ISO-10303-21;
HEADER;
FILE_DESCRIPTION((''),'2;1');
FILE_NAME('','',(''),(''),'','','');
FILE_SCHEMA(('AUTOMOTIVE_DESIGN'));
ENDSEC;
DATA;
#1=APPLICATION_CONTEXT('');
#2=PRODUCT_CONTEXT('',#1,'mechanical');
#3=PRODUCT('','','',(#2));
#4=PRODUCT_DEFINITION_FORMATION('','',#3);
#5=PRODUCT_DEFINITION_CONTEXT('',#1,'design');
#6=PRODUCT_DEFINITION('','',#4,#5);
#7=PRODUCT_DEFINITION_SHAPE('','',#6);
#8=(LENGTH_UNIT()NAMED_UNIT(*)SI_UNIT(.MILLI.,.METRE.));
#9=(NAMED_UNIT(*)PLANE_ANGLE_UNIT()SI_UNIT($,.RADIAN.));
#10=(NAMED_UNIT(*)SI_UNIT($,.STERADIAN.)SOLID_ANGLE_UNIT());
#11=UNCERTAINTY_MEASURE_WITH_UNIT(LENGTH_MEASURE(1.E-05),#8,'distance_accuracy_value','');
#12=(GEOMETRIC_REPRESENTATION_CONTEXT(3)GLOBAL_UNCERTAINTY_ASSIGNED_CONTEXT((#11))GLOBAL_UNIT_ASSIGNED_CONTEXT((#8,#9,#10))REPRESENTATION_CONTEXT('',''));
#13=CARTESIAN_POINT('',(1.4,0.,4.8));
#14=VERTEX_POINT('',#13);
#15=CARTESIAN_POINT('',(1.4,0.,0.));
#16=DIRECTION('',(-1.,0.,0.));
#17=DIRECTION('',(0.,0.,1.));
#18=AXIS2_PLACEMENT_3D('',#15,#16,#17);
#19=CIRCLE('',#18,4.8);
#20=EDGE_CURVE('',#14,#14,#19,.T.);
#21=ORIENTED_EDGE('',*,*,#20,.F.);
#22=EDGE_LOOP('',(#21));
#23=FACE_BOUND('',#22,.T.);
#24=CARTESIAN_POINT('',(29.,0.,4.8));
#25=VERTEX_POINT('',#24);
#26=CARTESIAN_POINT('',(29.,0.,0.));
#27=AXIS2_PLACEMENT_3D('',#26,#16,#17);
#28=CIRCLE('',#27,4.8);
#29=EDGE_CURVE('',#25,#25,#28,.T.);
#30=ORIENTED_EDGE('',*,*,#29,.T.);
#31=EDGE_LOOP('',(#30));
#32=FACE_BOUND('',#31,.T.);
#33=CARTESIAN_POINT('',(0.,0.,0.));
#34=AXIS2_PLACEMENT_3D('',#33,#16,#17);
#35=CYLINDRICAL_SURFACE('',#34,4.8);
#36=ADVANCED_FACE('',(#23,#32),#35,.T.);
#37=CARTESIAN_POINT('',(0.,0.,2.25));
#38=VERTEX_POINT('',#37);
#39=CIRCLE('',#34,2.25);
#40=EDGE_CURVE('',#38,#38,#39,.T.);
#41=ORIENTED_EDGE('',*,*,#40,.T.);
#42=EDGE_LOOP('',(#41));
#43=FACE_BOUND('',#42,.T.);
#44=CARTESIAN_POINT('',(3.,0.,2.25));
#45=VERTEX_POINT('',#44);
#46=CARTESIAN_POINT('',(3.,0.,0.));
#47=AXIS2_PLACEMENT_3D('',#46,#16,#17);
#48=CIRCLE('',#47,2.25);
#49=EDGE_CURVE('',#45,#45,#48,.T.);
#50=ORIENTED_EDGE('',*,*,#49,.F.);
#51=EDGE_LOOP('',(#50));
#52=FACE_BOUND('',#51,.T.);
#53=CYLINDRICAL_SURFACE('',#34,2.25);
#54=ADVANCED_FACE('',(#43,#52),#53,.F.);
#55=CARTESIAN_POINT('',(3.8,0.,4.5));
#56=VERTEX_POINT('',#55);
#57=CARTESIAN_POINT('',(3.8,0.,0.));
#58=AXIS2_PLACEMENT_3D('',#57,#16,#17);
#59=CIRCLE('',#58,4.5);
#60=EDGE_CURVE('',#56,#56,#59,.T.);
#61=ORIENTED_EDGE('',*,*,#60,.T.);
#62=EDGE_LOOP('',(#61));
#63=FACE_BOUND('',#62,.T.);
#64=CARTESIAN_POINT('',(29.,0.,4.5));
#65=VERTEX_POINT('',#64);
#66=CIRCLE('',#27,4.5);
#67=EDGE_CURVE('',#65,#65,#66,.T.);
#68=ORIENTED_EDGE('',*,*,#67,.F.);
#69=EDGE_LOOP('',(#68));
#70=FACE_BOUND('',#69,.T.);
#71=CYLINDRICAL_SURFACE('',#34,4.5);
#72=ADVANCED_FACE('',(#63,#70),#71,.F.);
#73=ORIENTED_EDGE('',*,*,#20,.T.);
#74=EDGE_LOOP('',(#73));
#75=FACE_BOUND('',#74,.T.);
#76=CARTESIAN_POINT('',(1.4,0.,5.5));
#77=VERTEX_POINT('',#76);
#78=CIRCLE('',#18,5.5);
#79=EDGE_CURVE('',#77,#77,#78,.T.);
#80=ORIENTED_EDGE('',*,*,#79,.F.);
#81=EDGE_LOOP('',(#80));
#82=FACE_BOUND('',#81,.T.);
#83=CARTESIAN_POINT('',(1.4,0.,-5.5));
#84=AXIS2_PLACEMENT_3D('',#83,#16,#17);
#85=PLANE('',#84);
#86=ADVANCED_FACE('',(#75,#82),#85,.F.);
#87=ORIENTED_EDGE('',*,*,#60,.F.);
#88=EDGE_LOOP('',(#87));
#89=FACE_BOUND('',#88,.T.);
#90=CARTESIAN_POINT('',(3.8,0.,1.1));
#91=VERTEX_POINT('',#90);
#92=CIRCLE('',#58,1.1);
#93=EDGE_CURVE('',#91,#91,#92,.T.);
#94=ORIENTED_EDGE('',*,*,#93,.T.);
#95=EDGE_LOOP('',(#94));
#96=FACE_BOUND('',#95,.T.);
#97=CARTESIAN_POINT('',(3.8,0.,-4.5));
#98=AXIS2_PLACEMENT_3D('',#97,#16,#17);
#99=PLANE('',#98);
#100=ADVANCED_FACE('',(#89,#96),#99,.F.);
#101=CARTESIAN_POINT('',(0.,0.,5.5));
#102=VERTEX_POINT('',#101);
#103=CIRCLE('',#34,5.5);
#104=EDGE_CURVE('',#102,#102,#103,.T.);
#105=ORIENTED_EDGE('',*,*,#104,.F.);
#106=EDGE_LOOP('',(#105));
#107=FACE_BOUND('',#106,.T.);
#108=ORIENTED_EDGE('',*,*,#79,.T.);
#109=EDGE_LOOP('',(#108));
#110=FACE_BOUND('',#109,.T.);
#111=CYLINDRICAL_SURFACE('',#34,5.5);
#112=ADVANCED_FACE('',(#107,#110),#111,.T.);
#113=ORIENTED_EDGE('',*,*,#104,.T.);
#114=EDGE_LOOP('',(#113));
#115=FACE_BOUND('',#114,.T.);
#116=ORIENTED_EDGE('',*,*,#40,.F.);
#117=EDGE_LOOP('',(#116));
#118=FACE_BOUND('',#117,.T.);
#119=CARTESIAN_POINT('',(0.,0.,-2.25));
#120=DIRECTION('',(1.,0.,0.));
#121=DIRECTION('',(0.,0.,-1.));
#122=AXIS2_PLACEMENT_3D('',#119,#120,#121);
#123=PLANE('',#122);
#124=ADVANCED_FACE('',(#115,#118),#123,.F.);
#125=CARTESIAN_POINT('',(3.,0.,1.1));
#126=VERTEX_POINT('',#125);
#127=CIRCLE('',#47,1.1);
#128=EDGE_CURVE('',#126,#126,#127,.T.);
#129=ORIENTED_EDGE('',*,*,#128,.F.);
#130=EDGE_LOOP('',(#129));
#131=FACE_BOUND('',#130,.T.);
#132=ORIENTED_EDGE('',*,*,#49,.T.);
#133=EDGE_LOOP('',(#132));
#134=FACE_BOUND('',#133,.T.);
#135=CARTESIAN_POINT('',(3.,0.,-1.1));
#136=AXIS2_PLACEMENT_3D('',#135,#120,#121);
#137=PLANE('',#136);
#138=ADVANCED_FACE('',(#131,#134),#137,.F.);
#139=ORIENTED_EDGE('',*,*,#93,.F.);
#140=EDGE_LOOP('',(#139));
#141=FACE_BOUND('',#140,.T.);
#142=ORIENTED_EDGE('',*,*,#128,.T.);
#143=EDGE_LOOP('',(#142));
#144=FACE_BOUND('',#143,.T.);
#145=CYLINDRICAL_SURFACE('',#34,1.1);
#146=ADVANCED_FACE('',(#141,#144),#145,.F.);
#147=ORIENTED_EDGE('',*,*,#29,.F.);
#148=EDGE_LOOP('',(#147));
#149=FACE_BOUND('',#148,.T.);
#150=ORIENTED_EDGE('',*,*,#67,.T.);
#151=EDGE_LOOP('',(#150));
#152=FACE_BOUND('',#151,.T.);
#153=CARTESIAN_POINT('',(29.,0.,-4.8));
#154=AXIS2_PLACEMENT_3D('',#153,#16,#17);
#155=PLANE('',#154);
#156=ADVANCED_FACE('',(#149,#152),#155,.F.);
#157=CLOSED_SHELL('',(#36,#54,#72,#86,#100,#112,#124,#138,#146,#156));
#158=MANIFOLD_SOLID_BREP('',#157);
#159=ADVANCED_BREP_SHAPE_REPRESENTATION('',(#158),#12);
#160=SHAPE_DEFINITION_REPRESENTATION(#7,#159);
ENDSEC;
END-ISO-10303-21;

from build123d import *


with BuildPart() as part:
    # Esboço1 → Revolução1 (revolve)
    with BuildSketch(Plane(origin=(0, 0, 0), x_dir=(1, 0, 0), z_dir=(0, 1, 0)), mode=Mode.PRIVATE) as revolu_o1_sk:
        Polygon((3, 1.1), (3, 2.25), (0, 2.25), (0, 5.5), (1.4, 5.5), (1.4, 4.8), (29, 4.8), (29, 4.5), (3.8, 4.5), (3.8, 1.1), align=None)
    revolve(revolu_o1_sk.sketch.rotate(Axis((0, 0, 0), (1, 0, 0)), 180), axis=Axis((0, 0, 0), (1, 0, 0)))


solid = part.part
